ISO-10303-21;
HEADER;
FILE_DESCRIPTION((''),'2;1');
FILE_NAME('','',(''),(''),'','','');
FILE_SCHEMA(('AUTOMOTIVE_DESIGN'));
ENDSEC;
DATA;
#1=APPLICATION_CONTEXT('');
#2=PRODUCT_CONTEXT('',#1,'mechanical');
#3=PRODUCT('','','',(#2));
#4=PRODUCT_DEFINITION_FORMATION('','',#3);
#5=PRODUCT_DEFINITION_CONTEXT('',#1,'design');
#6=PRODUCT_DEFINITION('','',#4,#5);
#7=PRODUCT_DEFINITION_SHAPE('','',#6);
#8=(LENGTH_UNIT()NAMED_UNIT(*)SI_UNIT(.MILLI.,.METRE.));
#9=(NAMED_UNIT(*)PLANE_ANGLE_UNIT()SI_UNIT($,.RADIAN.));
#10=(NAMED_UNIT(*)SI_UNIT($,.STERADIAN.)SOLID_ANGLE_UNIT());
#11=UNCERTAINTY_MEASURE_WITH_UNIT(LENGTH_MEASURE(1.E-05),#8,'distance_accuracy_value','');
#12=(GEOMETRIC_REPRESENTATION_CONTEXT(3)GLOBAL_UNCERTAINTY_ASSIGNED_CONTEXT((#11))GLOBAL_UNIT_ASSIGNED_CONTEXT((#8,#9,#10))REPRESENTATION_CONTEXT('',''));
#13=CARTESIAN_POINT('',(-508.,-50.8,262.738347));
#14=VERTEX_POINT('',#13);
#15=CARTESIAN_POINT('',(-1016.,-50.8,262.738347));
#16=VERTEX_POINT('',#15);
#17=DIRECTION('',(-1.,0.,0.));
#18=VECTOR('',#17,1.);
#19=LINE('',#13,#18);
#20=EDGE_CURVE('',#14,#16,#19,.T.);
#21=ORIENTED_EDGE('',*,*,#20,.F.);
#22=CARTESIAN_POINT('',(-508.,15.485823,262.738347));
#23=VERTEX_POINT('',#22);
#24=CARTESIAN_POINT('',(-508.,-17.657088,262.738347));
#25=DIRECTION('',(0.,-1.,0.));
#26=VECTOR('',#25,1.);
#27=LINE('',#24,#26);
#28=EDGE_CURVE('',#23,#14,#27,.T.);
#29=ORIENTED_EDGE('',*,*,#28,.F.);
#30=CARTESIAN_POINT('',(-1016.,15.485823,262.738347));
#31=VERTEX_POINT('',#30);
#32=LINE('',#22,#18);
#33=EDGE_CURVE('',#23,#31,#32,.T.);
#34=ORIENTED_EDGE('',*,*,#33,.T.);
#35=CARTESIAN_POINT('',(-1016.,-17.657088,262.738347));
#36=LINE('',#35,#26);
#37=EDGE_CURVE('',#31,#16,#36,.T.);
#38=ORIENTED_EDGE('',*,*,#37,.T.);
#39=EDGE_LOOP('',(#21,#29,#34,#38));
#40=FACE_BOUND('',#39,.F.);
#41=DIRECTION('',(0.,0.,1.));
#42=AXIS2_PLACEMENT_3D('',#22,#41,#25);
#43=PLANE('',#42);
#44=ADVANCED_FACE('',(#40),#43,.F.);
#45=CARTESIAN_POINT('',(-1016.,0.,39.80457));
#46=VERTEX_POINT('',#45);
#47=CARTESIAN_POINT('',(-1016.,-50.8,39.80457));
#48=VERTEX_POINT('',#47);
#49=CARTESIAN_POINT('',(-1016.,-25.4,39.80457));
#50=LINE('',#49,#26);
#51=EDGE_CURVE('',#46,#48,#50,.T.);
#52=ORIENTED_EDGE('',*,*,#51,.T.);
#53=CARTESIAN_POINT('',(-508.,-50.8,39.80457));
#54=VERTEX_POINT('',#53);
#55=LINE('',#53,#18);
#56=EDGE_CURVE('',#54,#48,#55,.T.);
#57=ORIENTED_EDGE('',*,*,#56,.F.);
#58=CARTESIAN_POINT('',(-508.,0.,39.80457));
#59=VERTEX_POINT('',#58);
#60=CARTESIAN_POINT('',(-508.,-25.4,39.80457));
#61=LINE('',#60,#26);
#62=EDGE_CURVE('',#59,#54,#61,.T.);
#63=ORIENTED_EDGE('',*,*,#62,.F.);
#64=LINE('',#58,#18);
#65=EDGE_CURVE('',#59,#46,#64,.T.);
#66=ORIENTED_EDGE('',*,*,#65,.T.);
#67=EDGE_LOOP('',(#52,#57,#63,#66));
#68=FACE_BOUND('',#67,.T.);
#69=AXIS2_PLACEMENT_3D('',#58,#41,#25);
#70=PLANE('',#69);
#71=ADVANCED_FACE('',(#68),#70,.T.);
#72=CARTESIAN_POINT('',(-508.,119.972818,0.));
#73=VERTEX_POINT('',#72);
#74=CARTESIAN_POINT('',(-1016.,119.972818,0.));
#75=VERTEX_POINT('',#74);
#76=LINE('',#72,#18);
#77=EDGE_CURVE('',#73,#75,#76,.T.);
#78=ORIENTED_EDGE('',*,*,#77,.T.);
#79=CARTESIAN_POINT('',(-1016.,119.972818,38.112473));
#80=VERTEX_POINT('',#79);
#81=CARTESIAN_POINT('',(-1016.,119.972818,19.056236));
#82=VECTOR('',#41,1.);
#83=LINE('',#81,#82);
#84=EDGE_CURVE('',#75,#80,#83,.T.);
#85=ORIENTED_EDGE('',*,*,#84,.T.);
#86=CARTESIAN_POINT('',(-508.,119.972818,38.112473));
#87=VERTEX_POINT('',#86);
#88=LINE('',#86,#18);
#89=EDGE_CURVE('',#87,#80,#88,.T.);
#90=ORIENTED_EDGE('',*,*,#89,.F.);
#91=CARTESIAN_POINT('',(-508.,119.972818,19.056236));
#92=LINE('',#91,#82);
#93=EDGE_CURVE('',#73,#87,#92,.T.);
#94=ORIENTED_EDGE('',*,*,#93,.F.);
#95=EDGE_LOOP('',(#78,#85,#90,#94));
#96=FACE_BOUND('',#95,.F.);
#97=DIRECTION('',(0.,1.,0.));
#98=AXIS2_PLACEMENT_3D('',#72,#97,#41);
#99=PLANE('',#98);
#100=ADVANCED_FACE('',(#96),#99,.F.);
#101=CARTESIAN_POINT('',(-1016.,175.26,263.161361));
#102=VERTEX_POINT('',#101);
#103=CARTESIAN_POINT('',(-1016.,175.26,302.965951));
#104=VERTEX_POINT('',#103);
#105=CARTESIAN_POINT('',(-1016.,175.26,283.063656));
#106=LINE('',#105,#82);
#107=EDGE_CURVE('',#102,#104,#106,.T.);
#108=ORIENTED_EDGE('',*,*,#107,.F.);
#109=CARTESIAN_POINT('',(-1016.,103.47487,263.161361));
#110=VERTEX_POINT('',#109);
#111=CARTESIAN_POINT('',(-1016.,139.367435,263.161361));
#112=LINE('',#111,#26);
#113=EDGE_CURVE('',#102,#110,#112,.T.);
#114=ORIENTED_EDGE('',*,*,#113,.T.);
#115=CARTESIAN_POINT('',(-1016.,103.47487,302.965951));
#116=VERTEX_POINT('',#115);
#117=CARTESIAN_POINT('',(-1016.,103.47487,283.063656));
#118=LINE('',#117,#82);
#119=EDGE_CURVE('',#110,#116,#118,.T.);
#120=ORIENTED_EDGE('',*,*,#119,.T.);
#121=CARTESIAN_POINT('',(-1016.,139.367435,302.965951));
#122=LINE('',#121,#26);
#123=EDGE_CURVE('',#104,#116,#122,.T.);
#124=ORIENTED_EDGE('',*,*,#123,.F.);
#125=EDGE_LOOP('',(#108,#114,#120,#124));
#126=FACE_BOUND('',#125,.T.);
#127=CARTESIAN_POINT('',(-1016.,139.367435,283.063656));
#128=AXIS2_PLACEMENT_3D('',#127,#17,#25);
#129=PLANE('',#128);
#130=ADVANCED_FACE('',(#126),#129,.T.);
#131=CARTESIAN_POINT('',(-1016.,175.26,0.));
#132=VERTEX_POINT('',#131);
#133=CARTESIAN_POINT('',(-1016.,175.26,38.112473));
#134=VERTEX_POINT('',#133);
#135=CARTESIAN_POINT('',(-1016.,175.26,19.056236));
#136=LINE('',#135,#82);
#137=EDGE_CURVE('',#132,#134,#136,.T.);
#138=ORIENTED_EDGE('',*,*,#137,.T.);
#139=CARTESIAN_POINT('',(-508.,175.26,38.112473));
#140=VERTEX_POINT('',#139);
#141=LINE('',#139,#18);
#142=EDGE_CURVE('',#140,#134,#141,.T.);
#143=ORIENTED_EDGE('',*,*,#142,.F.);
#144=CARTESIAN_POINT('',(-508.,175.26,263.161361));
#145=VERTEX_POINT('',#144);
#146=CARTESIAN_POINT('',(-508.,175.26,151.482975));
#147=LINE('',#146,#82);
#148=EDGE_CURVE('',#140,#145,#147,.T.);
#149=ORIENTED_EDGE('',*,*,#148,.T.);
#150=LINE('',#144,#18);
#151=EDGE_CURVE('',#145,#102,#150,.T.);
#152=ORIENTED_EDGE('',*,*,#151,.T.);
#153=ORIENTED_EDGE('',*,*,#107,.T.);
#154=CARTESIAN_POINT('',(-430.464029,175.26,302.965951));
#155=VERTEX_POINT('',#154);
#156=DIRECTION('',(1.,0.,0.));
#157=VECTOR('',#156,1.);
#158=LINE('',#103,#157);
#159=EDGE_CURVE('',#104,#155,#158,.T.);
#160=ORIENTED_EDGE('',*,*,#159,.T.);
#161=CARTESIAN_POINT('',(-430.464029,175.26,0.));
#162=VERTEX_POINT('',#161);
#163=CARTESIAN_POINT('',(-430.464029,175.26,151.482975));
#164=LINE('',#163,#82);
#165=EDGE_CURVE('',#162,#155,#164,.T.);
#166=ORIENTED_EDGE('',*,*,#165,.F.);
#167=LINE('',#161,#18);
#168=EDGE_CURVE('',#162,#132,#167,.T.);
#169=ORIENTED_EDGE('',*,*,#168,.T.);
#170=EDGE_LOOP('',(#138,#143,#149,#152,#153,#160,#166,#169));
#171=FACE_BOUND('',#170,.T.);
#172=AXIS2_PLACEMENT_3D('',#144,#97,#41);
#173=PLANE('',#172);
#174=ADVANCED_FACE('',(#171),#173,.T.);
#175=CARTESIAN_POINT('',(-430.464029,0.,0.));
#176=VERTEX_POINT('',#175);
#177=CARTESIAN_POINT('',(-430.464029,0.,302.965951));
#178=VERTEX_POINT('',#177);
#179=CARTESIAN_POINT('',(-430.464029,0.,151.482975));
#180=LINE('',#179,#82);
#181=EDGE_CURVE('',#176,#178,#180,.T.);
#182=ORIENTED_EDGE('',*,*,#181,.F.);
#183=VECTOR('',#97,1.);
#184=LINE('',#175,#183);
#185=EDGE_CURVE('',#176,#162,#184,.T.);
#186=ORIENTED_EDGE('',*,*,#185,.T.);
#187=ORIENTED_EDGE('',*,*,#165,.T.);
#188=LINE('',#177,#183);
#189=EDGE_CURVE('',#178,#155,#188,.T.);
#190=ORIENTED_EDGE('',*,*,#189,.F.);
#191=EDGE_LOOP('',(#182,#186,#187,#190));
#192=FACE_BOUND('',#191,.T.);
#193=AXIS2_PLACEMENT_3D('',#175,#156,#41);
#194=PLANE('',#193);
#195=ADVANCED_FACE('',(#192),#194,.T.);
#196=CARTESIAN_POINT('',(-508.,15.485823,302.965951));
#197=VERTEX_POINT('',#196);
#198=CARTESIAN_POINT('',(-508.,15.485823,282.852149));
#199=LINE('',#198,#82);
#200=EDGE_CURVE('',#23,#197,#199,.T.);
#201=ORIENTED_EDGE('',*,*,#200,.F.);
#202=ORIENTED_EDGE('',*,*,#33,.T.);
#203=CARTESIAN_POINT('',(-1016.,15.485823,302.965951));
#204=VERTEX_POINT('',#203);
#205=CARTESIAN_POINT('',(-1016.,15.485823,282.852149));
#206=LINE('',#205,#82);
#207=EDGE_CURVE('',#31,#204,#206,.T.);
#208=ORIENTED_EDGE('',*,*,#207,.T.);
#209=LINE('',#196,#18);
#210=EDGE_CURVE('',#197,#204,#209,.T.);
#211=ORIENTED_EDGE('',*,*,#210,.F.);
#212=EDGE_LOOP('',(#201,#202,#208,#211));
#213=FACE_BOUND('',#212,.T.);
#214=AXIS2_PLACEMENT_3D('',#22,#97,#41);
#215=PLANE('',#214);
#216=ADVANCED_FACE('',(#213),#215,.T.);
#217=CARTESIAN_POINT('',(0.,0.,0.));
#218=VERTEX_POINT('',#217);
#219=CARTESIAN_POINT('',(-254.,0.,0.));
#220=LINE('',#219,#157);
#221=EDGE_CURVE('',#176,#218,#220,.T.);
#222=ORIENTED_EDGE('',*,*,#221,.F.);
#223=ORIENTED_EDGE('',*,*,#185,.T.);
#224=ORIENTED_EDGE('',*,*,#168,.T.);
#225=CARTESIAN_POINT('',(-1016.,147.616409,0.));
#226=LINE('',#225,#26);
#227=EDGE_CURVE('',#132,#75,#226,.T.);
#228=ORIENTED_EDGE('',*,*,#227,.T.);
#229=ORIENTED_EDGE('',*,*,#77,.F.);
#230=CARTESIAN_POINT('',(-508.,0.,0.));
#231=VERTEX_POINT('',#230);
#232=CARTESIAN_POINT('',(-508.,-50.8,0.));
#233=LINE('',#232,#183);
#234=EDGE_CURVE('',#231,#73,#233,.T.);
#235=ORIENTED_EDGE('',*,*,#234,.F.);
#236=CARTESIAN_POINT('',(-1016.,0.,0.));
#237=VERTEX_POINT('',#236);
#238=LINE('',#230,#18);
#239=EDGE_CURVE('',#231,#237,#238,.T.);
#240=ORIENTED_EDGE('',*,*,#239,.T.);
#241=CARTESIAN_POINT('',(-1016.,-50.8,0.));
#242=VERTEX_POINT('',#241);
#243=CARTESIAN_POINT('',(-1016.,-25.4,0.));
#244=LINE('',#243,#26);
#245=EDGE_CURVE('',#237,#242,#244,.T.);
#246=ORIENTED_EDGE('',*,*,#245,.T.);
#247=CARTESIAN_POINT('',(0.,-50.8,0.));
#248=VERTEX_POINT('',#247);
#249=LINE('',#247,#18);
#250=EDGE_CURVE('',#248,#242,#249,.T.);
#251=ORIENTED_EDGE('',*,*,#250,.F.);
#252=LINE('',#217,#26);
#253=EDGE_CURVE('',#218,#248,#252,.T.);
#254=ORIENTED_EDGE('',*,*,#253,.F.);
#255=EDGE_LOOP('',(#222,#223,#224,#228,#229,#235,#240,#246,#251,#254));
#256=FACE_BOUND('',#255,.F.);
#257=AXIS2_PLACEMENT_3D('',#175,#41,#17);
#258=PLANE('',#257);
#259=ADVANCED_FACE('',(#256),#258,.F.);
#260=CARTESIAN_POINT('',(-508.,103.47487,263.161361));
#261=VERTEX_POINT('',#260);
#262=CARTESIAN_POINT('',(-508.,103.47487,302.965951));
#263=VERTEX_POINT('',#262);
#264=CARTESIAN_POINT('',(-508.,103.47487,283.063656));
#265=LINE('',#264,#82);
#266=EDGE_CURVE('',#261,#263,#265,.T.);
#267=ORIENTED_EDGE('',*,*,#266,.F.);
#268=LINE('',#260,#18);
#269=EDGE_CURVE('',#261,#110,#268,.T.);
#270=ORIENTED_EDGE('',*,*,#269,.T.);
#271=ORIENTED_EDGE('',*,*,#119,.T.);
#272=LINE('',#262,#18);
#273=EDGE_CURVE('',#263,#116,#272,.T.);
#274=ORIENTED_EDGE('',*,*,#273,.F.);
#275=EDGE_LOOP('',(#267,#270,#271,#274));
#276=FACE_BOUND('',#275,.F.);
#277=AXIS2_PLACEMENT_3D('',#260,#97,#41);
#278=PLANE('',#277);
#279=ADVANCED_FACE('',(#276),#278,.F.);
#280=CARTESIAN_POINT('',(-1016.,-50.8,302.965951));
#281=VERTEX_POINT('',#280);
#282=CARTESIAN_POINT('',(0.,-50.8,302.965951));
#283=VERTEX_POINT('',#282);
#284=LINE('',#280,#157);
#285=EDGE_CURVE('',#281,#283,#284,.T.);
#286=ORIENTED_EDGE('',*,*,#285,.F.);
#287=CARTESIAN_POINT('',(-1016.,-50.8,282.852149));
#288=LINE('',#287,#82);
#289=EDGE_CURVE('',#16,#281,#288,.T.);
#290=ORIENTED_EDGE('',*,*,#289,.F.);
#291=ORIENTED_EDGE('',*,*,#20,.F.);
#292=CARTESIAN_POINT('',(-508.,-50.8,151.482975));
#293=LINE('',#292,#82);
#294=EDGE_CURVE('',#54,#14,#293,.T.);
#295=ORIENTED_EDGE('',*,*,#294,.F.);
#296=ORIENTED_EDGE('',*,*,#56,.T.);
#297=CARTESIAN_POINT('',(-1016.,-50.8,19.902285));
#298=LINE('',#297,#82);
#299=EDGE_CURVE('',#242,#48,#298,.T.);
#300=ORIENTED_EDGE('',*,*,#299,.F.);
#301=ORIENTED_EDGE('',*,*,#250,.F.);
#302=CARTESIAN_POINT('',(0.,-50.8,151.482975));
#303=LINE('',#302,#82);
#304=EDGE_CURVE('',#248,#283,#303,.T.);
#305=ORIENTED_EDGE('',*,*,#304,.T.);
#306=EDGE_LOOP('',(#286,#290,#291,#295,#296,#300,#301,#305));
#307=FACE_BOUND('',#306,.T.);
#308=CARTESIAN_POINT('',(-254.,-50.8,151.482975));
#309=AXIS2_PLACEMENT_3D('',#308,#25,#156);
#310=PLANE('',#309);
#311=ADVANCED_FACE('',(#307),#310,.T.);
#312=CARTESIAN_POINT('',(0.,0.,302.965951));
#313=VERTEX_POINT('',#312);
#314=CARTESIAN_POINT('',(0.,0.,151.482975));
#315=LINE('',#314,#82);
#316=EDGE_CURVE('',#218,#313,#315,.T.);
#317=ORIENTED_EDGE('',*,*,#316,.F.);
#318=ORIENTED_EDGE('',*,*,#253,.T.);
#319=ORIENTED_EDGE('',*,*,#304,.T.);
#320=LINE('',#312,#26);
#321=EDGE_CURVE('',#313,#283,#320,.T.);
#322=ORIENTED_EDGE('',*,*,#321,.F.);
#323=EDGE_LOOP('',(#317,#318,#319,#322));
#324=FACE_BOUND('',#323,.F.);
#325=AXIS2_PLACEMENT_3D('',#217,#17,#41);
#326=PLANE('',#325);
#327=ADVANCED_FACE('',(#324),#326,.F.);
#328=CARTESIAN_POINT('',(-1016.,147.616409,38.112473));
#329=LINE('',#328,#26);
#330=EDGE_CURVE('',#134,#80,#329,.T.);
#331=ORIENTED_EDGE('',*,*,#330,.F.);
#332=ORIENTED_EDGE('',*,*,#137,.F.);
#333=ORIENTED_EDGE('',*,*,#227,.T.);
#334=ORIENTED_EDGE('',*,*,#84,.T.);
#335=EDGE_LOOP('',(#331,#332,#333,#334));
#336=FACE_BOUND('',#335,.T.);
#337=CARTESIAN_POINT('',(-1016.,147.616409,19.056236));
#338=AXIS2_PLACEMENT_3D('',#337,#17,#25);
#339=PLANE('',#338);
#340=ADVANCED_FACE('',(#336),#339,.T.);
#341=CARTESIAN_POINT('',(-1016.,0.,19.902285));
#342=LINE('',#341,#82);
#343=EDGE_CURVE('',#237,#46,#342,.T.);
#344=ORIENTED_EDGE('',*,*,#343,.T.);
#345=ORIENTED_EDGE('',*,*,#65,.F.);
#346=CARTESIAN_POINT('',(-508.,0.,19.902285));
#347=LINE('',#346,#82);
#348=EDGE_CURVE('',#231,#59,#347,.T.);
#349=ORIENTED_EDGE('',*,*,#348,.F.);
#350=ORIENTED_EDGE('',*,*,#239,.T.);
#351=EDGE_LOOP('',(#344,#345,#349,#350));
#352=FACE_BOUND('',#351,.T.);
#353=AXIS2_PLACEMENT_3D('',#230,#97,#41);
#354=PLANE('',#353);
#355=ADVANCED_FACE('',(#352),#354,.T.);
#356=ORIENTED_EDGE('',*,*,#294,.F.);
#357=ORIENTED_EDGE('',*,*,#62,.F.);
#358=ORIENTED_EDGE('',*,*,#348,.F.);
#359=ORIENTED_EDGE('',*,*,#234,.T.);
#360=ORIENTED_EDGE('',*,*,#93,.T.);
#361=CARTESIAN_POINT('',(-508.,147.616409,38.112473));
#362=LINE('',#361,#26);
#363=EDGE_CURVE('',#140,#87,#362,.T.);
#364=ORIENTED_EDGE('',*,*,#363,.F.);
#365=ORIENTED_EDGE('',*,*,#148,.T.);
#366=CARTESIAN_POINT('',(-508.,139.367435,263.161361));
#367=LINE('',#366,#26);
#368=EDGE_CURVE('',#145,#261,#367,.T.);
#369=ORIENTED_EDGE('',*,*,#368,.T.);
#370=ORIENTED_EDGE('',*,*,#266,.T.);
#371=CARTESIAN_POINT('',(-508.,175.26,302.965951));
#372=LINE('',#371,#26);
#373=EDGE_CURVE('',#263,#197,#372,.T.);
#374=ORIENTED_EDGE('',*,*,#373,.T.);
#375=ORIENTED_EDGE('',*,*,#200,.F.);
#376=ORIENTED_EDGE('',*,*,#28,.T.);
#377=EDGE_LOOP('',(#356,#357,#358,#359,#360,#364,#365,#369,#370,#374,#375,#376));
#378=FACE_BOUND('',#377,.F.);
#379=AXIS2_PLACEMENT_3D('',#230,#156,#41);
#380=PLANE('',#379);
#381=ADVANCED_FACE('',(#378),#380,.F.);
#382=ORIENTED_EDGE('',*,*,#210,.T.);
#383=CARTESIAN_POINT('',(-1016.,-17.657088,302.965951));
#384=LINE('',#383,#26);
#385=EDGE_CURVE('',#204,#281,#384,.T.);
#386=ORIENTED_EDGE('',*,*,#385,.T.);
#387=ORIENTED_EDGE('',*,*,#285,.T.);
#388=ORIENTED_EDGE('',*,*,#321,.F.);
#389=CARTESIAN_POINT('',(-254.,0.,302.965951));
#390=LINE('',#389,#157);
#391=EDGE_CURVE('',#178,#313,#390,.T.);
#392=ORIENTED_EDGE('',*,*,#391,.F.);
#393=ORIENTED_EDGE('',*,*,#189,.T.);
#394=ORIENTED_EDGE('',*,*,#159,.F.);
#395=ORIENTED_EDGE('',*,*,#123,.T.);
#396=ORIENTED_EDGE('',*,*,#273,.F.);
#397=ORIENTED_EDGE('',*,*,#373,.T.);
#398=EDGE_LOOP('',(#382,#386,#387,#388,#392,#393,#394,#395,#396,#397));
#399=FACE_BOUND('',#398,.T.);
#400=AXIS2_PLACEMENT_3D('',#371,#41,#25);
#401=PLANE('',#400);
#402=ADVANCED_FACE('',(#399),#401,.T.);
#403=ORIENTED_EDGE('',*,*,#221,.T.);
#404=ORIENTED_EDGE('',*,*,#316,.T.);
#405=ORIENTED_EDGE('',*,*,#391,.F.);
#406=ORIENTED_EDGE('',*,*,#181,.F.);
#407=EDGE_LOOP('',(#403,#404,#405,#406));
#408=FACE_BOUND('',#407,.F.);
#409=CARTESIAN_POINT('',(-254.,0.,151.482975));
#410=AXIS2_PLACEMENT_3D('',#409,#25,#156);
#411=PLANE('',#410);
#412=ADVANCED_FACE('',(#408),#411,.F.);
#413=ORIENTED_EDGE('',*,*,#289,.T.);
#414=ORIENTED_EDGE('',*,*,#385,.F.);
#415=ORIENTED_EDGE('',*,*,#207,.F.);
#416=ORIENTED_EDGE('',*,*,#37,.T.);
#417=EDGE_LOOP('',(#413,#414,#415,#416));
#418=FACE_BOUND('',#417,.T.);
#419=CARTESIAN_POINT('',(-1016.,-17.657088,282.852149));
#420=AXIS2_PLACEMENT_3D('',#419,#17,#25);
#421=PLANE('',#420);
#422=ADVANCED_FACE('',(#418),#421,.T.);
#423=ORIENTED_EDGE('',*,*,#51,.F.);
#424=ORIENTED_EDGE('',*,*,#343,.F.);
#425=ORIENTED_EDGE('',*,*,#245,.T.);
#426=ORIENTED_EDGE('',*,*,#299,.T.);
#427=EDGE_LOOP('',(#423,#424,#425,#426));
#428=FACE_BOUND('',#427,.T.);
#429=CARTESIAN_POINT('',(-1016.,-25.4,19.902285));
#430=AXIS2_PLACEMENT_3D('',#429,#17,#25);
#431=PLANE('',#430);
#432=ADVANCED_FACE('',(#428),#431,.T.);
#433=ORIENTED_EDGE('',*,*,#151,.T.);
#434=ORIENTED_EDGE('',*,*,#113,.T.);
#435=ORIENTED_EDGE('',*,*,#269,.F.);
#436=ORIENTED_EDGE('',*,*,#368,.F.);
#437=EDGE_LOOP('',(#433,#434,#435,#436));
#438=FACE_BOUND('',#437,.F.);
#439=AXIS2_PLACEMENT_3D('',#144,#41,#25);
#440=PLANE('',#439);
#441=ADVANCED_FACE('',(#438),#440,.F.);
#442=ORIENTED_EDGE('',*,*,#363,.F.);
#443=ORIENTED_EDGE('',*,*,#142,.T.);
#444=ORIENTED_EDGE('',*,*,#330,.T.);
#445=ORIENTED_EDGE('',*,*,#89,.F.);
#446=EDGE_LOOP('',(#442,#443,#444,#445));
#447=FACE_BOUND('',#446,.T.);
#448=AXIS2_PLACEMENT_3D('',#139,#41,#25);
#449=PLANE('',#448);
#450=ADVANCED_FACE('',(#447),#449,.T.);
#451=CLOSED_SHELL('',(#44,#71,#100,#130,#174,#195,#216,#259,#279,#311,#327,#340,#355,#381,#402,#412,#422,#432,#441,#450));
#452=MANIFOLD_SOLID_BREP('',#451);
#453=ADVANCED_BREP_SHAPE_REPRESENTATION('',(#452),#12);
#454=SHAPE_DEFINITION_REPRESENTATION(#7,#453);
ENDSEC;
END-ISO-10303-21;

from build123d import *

# Parameters (mm, degrees)
F0_W     = 508
F0_H     = 302.9659508712
F1_DEPTH = 50.8
F2_W     = 77.5359706879
F2_H     = 302.9659508712
F3_DEPTH = 175.26
F4_W     = 71.7851296759
F4_H     = 39.8045896537
F4_W_2   = 50.8
F4_H_2   = 39.8045703769
F4_W_3   = 55.2871824002
F4_H_3   = 38.1124727428
F4_W_4   = 66.2858231544
F4_H_4   = 40.2276038176
F5_DEPTH = 508


with BuildPart() as f1:
    # F0 (on Front) → F1 (new body)
    with BuildSketch(Plane.XZ):
        with Locations((-254, 151.4829754356)):
            Rectangle(F0_W, F0_H)
    extrude(amount=F1_DEPTH)

    # F2 (on face) → F3 (join)
    with BuildSketch(Plane(origin=(0, 0, 0), x_dir=(-1, 0, 0), z_dir=(0, 1, 0))):
        with Locations((469.2320146561, 151.4829754356)):
            Rectangle(F2_W, F2_H)
    extrude(amount=F3_DEPTH)

    # F4 (on face) → F5 (join)
    with BuildSketch(Plane(origin=(-508, 0, 0), x_dir=(0, -1, 0), z_dir=(-1, 0, 0))):
        with Locations((-139.3674351621, 283.0636560443)):
            Rectangle(F4_W, F4_H)
        with Locations((25.4, 19.9022851884)):
            Rectangle(F4_W_2, F4_H_2)
        with Locations((-147.6164087999, 19.0562363714)):
            Rectangle(F4_W_3, F4_H_3)
        with Locations((17.6570884228, 282.8521489623)):
            Rectangle(F4_W_4, F4_H_4)
    extrude(amount=F5_DEPTH)


solid = f1.part
